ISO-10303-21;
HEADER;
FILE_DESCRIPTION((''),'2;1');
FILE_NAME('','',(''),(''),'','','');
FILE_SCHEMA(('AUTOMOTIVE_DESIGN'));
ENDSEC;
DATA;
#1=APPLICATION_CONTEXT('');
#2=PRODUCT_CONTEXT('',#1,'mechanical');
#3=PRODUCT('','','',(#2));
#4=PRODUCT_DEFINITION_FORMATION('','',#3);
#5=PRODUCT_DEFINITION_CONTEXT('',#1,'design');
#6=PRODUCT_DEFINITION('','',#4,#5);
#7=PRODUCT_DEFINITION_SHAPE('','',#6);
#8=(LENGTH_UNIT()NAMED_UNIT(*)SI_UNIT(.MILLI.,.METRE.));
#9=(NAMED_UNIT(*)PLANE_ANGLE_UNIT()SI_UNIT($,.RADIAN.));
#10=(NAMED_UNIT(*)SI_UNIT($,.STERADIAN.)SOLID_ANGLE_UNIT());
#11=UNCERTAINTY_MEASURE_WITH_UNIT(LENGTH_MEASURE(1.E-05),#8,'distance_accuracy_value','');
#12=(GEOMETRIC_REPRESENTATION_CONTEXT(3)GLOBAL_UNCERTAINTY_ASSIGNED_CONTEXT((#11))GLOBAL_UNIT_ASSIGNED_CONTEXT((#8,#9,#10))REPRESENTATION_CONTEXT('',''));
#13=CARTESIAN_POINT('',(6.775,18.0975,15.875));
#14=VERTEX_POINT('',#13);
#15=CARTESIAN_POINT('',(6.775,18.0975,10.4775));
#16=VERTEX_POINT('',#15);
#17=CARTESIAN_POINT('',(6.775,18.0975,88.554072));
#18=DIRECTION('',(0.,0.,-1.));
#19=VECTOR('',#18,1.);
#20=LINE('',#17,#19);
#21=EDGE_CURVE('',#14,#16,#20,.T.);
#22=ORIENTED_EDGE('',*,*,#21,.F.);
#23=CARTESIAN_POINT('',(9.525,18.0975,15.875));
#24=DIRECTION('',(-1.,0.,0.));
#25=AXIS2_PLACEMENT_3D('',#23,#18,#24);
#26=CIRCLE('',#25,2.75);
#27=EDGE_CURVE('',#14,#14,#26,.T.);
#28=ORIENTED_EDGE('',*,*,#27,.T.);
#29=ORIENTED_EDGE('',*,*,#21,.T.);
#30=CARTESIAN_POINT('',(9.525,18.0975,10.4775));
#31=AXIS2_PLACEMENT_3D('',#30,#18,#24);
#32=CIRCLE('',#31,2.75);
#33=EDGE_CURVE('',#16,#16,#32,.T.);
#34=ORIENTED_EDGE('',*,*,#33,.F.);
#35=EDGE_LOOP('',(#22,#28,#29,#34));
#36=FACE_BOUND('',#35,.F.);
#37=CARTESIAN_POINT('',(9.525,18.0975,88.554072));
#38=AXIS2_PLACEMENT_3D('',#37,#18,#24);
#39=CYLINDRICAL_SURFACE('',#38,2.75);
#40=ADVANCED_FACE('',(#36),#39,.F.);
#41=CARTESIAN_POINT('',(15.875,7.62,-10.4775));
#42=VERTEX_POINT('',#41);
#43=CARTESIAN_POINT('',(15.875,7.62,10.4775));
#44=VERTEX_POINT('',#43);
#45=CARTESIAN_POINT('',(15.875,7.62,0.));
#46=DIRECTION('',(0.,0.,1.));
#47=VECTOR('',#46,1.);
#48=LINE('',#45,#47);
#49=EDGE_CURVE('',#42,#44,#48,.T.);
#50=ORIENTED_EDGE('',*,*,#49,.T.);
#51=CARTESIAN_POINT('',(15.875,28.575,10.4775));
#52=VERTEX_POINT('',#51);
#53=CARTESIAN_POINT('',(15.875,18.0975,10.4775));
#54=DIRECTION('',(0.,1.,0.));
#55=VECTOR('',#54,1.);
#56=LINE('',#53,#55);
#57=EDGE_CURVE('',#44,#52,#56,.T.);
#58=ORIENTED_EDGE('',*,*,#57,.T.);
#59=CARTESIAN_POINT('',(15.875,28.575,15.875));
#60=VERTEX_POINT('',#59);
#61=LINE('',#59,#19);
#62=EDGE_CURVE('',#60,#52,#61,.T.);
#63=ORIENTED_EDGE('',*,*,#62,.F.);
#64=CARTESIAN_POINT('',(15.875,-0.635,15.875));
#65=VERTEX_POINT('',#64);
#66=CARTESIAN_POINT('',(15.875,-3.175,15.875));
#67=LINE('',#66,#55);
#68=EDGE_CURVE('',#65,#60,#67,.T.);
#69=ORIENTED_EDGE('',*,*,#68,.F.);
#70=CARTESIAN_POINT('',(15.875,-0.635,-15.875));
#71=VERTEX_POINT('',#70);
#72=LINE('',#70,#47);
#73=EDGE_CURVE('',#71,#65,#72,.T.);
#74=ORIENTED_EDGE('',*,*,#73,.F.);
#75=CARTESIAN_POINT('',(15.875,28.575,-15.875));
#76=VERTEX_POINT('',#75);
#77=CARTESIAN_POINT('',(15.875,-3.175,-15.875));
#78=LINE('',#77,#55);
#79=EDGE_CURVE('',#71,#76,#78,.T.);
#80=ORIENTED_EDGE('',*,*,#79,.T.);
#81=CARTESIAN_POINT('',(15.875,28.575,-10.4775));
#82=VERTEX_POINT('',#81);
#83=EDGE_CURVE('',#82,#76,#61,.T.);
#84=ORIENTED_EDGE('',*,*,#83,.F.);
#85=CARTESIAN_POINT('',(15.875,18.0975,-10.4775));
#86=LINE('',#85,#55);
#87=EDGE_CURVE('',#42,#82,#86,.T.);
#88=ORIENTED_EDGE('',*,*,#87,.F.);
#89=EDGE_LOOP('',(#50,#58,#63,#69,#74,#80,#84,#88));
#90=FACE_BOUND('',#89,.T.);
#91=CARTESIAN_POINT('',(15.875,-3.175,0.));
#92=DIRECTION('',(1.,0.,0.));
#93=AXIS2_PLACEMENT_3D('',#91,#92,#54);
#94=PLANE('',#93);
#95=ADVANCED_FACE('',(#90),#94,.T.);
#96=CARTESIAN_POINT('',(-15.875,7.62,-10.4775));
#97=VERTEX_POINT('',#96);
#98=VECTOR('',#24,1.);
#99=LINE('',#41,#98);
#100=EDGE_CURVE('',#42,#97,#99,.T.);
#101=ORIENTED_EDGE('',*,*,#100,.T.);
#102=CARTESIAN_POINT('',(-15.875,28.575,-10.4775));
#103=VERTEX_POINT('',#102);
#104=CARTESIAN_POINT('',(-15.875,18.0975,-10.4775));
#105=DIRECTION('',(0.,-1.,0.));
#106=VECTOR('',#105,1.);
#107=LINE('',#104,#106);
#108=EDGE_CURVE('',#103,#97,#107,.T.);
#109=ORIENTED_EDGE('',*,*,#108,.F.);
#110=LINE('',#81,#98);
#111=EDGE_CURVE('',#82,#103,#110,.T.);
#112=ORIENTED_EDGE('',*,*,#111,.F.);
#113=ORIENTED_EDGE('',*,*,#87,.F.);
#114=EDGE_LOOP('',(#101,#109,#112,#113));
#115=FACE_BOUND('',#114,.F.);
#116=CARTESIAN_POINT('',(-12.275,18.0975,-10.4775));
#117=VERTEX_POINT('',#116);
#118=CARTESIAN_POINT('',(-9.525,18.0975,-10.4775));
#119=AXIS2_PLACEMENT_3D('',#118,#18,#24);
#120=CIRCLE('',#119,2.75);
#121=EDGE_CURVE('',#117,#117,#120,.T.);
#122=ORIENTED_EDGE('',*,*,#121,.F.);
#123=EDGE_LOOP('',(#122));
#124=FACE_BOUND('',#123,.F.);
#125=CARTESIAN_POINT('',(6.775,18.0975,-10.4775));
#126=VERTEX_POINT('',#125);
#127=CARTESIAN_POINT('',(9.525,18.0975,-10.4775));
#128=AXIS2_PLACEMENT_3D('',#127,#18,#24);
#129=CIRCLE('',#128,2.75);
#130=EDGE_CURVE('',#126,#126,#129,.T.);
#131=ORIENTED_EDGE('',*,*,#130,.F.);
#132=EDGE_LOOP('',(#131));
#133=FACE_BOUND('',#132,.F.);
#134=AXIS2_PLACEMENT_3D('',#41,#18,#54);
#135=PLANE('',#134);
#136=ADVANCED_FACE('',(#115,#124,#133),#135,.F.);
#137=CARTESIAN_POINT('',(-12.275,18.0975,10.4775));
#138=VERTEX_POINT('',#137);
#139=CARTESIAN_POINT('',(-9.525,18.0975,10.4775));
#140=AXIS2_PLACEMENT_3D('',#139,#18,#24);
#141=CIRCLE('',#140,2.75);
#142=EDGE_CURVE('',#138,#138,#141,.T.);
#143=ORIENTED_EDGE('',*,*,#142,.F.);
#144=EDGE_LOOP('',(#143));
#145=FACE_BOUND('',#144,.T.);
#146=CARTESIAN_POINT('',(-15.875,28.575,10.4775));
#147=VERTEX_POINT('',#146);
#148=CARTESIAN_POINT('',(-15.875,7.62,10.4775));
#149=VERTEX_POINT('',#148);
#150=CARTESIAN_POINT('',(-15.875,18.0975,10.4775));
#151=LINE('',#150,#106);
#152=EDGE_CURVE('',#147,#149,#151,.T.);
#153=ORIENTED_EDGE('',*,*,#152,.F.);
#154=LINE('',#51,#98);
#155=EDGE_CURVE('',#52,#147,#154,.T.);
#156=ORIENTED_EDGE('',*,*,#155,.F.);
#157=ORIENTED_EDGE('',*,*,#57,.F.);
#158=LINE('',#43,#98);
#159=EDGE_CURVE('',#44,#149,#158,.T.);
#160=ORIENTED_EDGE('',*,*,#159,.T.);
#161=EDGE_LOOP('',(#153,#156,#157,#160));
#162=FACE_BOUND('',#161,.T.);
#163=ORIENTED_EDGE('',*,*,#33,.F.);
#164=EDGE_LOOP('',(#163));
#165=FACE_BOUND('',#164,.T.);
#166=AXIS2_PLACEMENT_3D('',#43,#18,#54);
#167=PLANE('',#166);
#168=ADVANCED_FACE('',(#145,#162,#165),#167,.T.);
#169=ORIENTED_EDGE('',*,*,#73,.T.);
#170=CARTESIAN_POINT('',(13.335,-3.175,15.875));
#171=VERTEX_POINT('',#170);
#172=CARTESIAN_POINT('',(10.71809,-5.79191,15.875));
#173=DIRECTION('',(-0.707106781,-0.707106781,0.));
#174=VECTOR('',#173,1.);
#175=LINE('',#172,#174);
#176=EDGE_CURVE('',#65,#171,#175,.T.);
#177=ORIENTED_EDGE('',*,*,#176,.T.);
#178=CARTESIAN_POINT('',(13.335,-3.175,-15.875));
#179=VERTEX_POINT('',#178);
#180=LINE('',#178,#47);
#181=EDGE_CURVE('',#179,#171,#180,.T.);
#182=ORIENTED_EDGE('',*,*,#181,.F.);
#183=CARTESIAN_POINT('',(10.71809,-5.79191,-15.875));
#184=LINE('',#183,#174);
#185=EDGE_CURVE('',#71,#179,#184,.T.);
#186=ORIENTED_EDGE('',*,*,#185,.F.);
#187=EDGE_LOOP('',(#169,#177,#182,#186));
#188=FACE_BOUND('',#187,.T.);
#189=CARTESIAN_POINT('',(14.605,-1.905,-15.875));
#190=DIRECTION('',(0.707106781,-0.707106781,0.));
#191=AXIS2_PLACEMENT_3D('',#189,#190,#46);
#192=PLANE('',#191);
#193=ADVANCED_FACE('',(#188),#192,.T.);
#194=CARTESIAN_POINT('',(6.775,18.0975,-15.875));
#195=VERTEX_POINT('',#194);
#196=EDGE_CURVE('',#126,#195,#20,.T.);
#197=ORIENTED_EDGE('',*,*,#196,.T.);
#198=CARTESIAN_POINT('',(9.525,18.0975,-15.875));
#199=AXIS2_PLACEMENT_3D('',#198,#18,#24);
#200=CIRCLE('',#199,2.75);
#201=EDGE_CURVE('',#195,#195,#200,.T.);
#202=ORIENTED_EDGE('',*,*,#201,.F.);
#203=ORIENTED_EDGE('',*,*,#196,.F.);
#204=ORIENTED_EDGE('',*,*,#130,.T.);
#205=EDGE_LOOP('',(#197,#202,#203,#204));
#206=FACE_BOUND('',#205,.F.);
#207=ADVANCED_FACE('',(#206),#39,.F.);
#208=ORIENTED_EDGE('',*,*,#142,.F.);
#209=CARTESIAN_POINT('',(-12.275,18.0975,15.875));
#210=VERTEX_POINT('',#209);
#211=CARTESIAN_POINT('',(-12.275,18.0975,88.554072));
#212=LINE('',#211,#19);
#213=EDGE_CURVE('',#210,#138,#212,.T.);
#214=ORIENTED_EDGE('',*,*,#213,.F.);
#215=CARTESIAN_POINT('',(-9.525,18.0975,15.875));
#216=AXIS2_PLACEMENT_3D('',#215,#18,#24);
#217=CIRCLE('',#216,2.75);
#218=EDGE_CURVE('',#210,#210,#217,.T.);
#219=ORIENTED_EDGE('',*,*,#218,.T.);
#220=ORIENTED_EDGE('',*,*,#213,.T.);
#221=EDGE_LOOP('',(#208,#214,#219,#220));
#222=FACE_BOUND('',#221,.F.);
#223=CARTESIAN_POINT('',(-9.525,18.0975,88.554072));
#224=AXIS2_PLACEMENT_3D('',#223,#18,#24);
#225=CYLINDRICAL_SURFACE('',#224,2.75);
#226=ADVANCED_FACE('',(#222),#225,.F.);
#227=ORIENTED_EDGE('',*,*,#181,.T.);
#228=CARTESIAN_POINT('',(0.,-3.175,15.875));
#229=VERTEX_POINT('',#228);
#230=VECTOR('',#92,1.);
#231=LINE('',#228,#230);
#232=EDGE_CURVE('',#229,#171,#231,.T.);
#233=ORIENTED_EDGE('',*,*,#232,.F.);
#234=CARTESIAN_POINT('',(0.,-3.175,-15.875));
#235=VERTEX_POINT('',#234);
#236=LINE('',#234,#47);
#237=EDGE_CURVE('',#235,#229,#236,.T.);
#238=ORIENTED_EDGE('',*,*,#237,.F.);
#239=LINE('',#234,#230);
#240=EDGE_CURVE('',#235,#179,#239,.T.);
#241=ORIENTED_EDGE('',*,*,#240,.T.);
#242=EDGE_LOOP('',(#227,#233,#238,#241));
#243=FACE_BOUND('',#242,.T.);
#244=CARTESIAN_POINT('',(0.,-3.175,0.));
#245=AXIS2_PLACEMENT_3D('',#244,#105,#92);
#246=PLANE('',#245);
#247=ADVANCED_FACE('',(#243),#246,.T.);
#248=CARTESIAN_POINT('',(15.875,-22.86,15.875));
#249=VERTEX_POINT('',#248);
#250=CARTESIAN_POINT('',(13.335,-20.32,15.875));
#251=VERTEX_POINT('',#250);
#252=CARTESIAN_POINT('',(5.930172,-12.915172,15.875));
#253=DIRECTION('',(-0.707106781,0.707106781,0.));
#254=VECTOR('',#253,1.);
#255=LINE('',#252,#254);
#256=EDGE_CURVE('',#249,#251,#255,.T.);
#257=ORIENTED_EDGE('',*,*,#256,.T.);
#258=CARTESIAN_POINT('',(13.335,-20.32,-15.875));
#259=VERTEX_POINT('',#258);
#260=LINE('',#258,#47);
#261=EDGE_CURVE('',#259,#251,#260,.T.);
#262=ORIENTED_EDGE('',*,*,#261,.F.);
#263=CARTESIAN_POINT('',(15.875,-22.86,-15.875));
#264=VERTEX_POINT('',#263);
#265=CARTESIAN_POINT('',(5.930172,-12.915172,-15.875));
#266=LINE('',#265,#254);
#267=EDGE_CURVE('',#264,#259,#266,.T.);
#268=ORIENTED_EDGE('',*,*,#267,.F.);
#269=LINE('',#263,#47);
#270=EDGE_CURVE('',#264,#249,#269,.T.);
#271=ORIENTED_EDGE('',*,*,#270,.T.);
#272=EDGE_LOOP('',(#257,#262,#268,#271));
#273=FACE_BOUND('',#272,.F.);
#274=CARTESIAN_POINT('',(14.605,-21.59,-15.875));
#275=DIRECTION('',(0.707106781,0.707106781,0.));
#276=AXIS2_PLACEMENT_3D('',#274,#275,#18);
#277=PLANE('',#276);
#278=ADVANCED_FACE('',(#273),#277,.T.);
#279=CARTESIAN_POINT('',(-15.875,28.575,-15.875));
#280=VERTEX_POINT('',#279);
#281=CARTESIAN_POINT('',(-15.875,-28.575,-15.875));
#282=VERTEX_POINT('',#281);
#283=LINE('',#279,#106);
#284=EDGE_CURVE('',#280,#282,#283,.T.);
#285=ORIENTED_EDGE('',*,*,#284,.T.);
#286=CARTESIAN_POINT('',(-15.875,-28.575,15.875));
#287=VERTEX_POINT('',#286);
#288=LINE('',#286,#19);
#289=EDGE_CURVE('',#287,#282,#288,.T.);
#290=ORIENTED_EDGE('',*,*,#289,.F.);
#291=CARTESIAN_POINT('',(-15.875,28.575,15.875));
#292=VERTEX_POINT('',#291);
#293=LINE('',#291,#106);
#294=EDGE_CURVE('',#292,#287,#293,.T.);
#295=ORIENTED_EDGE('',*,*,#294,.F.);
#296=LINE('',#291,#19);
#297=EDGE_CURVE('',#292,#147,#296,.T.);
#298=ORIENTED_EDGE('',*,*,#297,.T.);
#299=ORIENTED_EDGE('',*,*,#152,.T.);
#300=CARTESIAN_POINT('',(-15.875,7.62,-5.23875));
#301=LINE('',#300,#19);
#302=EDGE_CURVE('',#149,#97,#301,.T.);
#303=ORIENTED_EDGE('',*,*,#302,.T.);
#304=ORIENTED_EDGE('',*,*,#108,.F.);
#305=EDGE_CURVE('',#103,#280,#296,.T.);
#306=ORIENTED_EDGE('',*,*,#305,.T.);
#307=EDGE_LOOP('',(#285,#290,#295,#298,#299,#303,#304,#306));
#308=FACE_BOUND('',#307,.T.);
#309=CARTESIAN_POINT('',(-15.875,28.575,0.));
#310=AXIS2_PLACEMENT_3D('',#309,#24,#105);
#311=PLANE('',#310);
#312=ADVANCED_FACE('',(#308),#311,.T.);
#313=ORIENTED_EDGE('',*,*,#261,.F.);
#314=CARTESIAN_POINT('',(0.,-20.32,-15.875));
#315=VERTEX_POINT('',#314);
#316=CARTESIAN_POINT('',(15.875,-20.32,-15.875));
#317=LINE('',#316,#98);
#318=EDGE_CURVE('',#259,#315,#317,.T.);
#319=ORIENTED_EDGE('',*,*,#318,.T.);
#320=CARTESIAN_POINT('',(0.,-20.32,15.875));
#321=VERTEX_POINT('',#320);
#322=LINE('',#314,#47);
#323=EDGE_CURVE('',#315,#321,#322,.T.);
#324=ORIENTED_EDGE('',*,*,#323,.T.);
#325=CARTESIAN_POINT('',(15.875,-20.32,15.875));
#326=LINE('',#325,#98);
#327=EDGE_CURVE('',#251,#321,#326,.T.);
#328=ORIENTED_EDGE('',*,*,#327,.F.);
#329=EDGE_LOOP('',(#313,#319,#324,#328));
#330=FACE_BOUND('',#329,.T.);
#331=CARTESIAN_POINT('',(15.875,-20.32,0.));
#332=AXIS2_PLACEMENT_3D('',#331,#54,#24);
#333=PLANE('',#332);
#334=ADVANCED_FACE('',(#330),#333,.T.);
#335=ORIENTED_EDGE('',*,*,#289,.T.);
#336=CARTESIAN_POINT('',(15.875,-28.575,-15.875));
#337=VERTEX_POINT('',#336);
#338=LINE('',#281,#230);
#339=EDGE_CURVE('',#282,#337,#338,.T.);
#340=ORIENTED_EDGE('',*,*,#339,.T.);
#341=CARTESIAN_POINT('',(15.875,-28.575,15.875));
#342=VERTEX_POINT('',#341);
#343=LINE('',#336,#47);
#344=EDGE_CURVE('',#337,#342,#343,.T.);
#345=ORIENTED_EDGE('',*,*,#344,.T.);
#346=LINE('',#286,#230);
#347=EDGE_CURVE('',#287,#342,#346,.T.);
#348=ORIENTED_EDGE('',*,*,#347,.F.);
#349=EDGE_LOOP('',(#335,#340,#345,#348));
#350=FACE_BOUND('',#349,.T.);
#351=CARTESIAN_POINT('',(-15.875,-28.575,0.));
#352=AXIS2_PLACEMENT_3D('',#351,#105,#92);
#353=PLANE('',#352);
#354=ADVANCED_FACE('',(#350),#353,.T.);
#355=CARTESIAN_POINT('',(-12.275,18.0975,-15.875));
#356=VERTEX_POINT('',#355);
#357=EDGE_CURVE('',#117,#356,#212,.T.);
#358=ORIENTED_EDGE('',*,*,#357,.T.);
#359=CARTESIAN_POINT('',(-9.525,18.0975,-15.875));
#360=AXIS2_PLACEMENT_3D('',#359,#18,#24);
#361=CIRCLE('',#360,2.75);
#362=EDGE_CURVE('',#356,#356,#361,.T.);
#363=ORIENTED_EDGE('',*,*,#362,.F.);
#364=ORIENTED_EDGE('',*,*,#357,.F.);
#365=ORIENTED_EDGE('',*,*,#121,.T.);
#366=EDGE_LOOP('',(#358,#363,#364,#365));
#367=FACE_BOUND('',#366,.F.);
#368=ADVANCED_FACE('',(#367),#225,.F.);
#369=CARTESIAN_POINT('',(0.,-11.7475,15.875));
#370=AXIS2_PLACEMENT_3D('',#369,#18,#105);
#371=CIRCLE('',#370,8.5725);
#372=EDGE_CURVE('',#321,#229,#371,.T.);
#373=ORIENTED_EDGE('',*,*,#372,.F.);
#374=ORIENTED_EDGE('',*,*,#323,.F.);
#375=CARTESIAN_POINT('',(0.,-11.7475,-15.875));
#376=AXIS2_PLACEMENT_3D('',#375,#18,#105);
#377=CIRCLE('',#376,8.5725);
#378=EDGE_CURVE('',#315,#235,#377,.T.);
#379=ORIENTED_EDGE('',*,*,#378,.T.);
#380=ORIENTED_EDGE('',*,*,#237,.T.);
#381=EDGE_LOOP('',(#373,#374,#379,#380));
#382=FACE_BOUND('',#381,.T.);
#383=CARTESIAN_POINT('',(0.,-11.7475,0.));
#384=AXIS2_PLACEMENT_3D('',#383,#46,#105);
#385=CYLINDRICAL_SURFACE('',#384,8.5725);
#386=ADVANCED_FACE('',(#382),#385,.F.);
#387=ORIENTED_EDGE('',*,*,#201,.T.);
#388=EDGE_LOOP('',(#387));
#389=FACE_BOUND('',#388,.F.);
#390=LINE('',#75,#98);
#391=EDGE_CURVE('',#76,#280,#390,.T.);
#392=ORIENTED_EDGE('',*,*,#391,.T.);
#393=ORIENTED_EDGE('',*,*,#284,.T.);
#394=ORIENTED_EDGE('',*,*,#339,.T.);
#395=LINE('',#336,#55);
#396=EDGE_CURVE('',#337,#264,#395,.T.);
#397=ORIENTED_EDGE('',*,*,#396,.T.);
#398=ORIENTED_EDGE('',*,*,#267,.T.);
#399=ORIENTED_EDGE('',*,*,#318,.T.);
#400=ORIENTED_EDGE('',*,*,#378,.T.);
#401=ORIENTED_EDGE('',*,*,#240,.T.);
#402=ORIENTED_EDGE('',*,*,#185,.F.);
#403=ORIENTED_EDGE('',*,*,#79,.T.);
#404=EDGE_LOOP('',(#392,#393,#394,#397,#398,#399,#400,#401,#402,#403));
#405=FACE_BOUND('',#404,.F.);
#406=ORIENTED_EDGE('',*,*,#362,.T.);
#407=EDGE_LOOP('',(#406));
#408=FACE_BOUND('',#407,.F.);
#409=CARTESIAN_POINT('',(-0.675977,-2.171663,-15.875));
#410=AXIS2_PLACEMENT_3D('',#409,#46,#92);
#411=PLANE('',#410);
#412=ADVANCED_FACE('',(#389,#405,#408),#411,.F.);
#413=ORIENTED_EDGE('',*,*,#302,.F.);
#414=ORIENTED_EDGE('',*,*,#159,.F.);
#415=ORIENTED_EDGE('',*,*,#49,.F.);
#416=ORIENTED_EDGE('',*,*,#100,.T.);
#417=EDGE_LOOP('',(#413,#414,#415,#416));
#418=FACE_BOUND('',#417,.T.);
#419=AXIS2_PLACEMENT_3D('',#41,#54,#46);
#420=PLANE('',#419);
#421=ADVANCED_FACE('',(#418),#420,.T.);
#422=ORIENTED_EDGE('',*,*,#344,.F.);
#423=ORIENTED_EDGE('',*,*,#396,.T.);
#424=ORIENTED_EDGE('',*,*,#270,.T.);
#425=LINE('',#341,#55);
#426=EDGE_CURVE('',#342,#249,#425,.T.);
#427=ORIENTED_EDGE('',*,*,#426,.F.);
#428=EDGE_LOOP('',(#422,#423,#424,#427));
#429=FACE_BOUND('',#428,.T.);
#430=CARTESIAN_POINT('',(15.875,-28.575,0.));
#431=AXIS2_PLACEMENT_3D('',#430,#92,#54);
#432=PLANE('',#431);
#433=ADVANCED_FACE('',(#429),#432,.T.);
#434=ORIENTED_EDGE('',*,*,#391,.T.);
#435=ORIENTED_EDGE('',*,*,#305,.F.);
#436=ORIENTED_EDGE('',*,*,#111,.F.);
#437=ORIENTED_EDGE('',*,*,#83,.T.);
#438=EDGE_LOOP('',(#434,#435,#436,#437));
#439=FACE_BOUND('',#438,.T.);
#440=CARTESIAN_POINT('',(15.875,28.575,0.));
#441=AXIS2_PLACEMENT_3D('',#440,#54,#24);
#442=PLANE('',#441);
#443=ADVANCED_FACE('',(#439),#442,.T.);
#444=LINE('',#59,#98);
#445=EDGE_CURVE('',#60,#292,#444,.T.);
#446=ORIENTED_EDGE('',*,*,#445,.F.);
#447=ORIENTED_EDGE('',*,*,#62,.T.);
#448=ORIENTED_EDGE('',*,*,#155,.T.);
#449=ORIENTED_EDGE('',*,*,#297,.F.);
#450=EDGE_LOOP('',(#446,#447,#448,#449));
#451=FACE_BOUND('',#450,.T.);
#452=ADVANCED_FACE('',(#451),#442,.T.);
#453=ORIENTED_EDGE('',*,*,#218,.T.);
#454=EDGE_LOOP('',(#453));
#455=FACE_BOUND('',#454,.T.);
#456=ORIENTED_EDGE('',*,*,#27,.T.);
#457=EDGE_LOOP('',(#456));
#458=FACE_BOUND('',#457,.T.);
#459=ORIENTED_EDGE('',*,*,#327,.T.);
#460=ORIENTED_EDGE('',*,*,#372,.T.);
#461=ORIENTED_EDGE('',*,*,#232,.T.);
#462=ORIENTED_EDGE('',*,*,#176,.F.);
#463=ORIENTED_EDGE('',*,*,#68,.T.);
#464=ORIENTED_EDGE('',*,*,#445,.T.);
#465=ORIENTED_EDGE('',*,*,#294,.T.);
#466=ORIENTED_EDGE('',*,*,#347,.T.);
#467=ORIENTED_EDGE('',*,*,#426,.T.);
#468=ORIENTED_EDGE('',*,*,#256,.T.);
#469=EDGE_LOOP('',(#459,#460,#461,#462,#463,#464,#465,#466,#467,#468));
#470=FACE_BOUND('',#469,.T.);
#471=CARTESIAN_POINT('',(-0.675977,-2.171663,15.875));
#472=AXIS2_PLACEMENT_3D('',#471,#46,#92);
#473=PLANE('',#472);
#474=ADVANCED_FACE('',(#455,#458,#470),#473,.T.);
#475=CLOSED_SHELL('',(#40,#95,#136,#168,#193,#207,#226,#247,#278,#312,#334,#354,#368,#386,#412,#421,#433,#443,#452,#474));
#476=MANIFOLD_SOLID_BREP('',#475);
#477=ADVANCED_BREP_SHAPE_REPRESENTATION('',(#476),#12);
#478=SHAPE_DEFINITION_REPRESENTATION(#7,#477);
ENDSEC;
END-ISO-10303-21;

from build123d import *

# Parameters (mm, degrees)
F1_DEPTH = 15.875
F2_W     = 20.955
F2_H     = 20.955
F3_DEPTH = 31.751
F5_D     = 5.5
F6_SIZE  = 2.54


with BuildPart() as f1:
    # F0 (on Top) → F1 (new body, symmetric)
    with BuildSketch(Plane.XY):
        with BuildLine():
            Line((-15.875, -28.575), (15.875, -28.575))
            Line((15.875, -28.575), (15.875, -20.32))
            Line((15.875, -20.32), (0, -20.32))
            ThreePointArc((0, -20.32), (-8.5725, -11.7475), (0, -3.175))
            Line((0, -3.175), (15.875, -3.175))
            Line((15.875, -3.175), (15.875, 28.575))
            Line((15.875, 28.575), (-15.875, 28.575))
            Line((-15.875, 28.575), (-15.875, -28.575))
        make_face()
    extrude(amount=F1_DEPTH, both=True)

    # F2 (on face) → F3 (cut, through all)
    with BuildSketch(Plane.YZ.offset(15.875)):
        with Locations((18.0975, 0)):
            Rectangle(F2_W, F2_H)
    extrude(amount=-F3_DEPTH, mode=Mode.SUBTRACT)

    # F5 (through all)
    with Locations(Plane.XY.offset(15.875)):
        with Locations((-9.525, 18.0975), (9.525, 18.0975)):
            Hole(F5_D / 2)

    # F6
    f6_edges = [f1.edges().sort_by_distance(p)[0] for p in [
        (15.875, -20.32, 0),
        (15.875, -3.175, 0),
    ]]
    chamfer(f6_edges, length=F6_SIZE)


solid = f1.part
